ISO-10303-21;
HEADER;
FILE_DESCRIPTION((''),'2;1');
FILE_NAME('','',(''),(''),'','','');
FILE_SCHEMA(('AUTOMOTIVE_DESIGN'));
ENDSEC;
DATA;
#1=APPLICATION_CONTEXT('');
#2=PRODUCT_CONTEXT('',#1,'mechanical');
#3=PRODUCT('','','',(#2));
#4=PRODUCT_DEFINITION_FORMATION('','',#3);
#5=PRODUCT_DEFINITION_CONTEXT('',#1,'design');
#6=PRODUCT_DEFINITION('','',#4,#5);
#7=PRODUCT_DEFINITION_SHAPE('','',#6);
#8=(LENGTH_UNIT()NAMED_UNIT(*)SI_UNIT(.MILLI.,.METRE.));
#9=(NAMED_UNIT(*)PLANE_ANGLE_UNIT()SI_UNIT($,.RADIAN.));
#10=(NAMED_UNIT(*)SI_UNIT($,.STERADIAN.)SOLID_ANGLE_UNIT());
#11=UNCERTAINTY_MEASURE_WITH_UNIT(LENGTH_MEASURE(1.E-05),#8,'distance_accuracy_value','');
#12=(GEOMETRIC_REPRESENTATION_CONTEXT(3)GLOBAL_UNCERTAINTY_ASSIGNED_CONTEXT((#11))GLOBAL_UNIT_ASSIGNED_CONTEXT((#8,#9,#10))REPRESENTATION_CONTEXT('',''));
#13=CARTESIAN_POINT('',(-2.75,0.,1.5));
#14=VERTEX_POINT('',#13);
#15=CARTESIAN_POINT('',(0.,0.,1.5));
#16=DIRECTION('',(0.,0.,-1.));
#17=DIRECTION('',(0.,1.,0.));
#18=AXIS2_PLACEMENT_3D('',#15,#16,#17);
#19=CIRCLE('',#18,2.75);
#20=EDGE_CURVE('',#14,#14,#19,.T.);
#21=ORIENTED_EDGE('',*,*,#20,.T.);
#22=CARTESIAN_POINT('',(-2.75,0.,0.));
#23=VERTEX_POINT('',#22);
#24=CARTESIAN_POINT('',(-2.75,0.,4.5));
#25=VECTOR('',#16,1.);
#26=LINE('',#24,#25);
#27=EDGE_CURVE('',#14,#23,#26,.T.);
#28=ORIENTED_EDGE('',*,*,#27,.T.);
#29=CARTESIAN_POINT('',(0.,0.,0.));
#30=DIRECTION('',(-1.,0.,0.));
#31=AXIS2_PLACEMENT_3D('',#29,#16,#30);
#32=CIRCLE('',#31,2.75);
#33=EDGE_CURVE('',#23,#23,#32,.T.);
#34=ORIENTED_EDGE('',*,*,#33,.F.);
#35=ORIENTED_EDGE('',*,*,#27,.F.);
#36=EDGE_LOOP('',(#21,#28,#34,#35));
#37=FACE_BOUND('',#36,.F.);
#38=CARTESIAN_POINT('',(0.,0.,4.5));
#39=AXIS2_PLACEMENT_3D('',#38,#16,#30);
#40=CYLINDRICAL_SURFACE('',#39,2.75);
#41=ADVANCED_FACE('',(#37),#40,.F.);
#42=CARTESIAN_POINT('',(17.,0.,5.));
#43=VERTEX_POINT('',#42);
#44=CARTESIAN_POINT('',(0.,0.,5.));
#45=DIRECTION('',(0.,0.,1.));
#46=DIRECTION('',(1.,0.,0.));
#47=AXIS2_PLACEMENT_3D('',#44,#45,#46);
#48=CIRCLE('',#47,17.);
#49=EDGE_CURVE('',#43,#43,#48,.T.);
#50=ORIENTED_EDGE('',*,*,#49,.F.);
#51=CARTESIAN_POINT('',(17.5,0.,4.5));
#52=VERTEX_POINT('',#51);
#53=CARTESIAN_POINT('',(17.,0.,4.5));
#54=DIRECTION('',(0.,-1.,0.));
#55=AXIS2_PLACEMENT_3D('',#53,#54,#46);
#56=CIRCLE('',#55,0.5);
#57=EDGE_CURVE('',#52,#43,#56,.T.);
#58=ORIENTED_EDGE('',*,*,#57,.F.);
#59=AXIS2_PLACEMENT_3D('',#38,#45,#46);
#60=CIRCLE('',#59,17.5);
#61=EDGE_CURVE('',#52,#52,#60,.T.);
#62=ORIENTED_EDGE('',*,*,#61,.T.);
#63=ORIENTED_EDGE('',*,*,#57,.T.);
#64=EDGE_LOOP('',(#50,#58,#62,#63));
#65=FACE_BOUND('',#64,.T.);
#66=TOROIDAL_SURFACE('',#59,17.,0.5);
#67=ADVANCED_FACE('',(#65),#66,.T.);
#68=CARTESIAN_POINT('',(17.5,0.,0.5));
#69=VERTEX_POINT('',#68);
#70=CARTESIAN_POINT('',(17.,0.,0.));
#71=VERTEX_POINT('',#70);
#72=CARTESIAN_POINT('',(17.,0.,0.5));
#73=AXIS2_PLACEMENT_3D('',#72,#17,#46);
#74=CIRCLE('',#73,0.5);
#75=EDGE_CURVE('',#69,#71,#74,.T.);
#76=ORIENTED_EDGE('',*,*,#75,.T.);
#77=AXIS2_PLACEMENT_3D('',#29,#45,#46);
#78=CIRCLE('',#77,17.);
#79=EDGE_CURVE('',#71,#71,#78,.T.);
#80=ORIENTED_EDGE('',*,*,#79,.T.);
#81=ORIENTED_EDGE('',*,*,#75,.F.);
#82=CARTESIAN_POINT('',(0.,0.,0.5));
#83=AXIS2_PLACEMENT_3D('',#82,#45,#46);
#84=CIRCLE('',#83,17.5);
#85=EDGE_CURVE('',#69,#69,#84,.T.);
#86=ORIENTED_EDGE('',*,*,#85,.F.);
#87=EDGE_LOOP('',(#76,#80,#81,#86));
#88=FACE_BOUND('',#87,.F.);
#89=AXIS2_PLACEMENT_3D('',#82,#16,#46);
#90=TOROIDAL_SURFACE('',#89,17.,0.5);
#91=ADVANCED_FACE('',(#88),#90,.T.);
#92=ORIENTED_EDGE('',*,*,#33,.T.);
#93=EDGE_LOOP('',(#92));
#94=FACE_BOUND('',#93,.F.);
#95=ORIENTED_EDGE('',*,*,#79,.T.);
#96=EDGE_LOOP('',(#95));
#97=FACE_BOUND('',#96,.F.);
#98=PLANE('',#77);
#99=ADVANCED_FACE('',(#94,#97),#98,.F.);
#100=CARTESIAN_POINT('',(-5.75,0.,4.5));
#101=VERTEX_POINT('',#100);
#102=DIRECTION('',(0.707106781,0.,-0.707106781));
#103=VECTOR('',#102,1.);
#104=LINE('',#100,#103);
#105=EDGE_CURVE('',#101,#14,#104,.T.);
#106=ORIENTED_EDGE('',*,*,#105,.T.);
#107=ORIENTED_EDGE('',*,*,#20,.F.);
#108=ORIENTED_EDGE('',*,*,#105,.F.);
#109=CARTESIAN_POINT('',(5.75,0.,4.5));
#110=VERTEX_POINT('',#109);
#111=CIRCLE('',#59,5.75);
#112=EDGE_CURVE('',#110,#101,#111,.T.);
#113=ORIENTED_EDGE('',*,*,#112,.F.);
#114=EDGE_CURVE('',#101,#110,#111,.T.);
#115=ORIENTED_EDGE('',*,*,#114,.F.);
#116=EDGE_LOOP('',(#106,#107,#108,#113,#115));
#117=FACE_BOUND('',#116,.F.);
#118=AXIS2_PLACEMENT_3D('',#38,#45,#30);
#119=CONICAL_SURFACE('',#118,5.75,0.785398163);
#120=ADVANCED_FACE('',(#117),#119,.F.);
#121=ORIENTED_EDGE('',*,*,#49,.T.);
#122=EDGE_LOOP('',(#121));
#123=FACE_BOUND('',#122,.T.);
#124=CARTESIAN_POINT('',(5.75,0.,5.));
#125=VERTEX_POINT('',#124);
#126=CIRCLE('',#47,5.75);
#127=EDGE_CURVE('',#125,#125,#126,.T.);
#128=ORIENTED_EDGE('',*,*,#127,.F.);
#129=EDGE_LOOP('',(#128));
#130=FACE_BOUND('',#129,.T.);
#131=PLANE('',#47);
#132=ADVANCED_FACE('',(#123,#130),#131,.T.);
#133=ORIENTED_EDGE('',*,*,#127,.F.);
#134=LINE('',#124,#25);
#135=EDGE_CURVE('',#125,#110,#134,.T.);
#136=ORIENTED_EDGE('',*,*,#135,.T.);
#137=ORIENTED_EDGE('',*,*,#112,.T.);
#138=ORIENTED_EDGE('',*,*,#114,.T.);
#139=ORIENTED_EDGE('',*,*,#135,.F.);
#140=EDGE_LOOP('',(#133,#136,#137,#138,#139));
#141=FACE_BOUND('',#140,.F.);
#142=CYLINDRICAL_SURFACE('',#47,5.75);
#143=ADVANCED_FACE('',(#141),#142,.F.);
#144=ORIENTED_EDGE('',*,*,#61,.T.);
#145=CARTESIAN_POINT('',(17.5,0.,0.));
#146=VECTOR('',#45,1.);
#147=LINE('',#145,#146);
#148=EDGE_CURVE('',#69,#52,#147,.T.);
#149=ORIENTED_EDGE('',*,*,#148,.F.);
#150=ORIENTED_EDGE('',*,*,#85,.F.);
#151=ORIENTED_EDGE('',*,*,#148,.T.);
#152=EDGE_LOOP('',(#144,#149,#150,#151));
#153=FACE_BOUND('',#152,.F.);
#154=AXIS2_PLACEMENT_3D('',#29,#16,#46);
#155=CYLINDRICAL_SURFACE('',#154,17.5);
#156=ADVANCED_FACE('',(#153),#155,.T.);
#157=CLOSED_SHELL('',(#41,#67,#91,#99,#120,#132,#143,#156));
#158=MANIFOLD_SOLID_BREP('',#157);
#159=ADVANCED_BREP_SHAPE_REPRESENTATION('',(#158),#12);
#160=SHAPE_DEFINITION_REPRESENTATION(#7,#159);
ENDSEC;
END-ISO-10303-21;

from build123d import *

# Parameters (mm, degrees)
F0_R           = 17.5
F1_DEPTH       = 5
F2_R           = 5.75
F3_DEPTH       = 0.5
F5_D           = 5.5
F5_CSINK_D     = 11.5
F5_CSINK_ANGLE = 90
F6_R           = 0.5


with BuildPart() as f1:
    # F0 (on Top) → F1 (new body)
    with BuildSketch(Plane.XY):
        Circle(F0_R)
    extrude(amount=F1_DEPTH)

    # F2 (on face) → F3 (cut)
    with BuildSketch(Plane.XY.offset(5)):
        Circle(F2_R)
    extrude(amount=-F3_DEPTH, mode=Mode.SUBTRACT)

    # F5 (through all)
    with Locations(Plane.XY.offset(4.5)):
        with Locations((0, 0)):
            CounterSinkHole(F5_D / 2, F5_CSINK_D / 2, counter_sink_angle=F5_CSINK_ANGLE)

    # F6
    f6_edges = [f1.edges().sort_by_distance(p)[0] for p in [
        (-17.5, 0, 5),
        (-17.5, 0, 0),
    ]]
    fillet(f6_edges, radius=F6_R)


solid = f1.part
